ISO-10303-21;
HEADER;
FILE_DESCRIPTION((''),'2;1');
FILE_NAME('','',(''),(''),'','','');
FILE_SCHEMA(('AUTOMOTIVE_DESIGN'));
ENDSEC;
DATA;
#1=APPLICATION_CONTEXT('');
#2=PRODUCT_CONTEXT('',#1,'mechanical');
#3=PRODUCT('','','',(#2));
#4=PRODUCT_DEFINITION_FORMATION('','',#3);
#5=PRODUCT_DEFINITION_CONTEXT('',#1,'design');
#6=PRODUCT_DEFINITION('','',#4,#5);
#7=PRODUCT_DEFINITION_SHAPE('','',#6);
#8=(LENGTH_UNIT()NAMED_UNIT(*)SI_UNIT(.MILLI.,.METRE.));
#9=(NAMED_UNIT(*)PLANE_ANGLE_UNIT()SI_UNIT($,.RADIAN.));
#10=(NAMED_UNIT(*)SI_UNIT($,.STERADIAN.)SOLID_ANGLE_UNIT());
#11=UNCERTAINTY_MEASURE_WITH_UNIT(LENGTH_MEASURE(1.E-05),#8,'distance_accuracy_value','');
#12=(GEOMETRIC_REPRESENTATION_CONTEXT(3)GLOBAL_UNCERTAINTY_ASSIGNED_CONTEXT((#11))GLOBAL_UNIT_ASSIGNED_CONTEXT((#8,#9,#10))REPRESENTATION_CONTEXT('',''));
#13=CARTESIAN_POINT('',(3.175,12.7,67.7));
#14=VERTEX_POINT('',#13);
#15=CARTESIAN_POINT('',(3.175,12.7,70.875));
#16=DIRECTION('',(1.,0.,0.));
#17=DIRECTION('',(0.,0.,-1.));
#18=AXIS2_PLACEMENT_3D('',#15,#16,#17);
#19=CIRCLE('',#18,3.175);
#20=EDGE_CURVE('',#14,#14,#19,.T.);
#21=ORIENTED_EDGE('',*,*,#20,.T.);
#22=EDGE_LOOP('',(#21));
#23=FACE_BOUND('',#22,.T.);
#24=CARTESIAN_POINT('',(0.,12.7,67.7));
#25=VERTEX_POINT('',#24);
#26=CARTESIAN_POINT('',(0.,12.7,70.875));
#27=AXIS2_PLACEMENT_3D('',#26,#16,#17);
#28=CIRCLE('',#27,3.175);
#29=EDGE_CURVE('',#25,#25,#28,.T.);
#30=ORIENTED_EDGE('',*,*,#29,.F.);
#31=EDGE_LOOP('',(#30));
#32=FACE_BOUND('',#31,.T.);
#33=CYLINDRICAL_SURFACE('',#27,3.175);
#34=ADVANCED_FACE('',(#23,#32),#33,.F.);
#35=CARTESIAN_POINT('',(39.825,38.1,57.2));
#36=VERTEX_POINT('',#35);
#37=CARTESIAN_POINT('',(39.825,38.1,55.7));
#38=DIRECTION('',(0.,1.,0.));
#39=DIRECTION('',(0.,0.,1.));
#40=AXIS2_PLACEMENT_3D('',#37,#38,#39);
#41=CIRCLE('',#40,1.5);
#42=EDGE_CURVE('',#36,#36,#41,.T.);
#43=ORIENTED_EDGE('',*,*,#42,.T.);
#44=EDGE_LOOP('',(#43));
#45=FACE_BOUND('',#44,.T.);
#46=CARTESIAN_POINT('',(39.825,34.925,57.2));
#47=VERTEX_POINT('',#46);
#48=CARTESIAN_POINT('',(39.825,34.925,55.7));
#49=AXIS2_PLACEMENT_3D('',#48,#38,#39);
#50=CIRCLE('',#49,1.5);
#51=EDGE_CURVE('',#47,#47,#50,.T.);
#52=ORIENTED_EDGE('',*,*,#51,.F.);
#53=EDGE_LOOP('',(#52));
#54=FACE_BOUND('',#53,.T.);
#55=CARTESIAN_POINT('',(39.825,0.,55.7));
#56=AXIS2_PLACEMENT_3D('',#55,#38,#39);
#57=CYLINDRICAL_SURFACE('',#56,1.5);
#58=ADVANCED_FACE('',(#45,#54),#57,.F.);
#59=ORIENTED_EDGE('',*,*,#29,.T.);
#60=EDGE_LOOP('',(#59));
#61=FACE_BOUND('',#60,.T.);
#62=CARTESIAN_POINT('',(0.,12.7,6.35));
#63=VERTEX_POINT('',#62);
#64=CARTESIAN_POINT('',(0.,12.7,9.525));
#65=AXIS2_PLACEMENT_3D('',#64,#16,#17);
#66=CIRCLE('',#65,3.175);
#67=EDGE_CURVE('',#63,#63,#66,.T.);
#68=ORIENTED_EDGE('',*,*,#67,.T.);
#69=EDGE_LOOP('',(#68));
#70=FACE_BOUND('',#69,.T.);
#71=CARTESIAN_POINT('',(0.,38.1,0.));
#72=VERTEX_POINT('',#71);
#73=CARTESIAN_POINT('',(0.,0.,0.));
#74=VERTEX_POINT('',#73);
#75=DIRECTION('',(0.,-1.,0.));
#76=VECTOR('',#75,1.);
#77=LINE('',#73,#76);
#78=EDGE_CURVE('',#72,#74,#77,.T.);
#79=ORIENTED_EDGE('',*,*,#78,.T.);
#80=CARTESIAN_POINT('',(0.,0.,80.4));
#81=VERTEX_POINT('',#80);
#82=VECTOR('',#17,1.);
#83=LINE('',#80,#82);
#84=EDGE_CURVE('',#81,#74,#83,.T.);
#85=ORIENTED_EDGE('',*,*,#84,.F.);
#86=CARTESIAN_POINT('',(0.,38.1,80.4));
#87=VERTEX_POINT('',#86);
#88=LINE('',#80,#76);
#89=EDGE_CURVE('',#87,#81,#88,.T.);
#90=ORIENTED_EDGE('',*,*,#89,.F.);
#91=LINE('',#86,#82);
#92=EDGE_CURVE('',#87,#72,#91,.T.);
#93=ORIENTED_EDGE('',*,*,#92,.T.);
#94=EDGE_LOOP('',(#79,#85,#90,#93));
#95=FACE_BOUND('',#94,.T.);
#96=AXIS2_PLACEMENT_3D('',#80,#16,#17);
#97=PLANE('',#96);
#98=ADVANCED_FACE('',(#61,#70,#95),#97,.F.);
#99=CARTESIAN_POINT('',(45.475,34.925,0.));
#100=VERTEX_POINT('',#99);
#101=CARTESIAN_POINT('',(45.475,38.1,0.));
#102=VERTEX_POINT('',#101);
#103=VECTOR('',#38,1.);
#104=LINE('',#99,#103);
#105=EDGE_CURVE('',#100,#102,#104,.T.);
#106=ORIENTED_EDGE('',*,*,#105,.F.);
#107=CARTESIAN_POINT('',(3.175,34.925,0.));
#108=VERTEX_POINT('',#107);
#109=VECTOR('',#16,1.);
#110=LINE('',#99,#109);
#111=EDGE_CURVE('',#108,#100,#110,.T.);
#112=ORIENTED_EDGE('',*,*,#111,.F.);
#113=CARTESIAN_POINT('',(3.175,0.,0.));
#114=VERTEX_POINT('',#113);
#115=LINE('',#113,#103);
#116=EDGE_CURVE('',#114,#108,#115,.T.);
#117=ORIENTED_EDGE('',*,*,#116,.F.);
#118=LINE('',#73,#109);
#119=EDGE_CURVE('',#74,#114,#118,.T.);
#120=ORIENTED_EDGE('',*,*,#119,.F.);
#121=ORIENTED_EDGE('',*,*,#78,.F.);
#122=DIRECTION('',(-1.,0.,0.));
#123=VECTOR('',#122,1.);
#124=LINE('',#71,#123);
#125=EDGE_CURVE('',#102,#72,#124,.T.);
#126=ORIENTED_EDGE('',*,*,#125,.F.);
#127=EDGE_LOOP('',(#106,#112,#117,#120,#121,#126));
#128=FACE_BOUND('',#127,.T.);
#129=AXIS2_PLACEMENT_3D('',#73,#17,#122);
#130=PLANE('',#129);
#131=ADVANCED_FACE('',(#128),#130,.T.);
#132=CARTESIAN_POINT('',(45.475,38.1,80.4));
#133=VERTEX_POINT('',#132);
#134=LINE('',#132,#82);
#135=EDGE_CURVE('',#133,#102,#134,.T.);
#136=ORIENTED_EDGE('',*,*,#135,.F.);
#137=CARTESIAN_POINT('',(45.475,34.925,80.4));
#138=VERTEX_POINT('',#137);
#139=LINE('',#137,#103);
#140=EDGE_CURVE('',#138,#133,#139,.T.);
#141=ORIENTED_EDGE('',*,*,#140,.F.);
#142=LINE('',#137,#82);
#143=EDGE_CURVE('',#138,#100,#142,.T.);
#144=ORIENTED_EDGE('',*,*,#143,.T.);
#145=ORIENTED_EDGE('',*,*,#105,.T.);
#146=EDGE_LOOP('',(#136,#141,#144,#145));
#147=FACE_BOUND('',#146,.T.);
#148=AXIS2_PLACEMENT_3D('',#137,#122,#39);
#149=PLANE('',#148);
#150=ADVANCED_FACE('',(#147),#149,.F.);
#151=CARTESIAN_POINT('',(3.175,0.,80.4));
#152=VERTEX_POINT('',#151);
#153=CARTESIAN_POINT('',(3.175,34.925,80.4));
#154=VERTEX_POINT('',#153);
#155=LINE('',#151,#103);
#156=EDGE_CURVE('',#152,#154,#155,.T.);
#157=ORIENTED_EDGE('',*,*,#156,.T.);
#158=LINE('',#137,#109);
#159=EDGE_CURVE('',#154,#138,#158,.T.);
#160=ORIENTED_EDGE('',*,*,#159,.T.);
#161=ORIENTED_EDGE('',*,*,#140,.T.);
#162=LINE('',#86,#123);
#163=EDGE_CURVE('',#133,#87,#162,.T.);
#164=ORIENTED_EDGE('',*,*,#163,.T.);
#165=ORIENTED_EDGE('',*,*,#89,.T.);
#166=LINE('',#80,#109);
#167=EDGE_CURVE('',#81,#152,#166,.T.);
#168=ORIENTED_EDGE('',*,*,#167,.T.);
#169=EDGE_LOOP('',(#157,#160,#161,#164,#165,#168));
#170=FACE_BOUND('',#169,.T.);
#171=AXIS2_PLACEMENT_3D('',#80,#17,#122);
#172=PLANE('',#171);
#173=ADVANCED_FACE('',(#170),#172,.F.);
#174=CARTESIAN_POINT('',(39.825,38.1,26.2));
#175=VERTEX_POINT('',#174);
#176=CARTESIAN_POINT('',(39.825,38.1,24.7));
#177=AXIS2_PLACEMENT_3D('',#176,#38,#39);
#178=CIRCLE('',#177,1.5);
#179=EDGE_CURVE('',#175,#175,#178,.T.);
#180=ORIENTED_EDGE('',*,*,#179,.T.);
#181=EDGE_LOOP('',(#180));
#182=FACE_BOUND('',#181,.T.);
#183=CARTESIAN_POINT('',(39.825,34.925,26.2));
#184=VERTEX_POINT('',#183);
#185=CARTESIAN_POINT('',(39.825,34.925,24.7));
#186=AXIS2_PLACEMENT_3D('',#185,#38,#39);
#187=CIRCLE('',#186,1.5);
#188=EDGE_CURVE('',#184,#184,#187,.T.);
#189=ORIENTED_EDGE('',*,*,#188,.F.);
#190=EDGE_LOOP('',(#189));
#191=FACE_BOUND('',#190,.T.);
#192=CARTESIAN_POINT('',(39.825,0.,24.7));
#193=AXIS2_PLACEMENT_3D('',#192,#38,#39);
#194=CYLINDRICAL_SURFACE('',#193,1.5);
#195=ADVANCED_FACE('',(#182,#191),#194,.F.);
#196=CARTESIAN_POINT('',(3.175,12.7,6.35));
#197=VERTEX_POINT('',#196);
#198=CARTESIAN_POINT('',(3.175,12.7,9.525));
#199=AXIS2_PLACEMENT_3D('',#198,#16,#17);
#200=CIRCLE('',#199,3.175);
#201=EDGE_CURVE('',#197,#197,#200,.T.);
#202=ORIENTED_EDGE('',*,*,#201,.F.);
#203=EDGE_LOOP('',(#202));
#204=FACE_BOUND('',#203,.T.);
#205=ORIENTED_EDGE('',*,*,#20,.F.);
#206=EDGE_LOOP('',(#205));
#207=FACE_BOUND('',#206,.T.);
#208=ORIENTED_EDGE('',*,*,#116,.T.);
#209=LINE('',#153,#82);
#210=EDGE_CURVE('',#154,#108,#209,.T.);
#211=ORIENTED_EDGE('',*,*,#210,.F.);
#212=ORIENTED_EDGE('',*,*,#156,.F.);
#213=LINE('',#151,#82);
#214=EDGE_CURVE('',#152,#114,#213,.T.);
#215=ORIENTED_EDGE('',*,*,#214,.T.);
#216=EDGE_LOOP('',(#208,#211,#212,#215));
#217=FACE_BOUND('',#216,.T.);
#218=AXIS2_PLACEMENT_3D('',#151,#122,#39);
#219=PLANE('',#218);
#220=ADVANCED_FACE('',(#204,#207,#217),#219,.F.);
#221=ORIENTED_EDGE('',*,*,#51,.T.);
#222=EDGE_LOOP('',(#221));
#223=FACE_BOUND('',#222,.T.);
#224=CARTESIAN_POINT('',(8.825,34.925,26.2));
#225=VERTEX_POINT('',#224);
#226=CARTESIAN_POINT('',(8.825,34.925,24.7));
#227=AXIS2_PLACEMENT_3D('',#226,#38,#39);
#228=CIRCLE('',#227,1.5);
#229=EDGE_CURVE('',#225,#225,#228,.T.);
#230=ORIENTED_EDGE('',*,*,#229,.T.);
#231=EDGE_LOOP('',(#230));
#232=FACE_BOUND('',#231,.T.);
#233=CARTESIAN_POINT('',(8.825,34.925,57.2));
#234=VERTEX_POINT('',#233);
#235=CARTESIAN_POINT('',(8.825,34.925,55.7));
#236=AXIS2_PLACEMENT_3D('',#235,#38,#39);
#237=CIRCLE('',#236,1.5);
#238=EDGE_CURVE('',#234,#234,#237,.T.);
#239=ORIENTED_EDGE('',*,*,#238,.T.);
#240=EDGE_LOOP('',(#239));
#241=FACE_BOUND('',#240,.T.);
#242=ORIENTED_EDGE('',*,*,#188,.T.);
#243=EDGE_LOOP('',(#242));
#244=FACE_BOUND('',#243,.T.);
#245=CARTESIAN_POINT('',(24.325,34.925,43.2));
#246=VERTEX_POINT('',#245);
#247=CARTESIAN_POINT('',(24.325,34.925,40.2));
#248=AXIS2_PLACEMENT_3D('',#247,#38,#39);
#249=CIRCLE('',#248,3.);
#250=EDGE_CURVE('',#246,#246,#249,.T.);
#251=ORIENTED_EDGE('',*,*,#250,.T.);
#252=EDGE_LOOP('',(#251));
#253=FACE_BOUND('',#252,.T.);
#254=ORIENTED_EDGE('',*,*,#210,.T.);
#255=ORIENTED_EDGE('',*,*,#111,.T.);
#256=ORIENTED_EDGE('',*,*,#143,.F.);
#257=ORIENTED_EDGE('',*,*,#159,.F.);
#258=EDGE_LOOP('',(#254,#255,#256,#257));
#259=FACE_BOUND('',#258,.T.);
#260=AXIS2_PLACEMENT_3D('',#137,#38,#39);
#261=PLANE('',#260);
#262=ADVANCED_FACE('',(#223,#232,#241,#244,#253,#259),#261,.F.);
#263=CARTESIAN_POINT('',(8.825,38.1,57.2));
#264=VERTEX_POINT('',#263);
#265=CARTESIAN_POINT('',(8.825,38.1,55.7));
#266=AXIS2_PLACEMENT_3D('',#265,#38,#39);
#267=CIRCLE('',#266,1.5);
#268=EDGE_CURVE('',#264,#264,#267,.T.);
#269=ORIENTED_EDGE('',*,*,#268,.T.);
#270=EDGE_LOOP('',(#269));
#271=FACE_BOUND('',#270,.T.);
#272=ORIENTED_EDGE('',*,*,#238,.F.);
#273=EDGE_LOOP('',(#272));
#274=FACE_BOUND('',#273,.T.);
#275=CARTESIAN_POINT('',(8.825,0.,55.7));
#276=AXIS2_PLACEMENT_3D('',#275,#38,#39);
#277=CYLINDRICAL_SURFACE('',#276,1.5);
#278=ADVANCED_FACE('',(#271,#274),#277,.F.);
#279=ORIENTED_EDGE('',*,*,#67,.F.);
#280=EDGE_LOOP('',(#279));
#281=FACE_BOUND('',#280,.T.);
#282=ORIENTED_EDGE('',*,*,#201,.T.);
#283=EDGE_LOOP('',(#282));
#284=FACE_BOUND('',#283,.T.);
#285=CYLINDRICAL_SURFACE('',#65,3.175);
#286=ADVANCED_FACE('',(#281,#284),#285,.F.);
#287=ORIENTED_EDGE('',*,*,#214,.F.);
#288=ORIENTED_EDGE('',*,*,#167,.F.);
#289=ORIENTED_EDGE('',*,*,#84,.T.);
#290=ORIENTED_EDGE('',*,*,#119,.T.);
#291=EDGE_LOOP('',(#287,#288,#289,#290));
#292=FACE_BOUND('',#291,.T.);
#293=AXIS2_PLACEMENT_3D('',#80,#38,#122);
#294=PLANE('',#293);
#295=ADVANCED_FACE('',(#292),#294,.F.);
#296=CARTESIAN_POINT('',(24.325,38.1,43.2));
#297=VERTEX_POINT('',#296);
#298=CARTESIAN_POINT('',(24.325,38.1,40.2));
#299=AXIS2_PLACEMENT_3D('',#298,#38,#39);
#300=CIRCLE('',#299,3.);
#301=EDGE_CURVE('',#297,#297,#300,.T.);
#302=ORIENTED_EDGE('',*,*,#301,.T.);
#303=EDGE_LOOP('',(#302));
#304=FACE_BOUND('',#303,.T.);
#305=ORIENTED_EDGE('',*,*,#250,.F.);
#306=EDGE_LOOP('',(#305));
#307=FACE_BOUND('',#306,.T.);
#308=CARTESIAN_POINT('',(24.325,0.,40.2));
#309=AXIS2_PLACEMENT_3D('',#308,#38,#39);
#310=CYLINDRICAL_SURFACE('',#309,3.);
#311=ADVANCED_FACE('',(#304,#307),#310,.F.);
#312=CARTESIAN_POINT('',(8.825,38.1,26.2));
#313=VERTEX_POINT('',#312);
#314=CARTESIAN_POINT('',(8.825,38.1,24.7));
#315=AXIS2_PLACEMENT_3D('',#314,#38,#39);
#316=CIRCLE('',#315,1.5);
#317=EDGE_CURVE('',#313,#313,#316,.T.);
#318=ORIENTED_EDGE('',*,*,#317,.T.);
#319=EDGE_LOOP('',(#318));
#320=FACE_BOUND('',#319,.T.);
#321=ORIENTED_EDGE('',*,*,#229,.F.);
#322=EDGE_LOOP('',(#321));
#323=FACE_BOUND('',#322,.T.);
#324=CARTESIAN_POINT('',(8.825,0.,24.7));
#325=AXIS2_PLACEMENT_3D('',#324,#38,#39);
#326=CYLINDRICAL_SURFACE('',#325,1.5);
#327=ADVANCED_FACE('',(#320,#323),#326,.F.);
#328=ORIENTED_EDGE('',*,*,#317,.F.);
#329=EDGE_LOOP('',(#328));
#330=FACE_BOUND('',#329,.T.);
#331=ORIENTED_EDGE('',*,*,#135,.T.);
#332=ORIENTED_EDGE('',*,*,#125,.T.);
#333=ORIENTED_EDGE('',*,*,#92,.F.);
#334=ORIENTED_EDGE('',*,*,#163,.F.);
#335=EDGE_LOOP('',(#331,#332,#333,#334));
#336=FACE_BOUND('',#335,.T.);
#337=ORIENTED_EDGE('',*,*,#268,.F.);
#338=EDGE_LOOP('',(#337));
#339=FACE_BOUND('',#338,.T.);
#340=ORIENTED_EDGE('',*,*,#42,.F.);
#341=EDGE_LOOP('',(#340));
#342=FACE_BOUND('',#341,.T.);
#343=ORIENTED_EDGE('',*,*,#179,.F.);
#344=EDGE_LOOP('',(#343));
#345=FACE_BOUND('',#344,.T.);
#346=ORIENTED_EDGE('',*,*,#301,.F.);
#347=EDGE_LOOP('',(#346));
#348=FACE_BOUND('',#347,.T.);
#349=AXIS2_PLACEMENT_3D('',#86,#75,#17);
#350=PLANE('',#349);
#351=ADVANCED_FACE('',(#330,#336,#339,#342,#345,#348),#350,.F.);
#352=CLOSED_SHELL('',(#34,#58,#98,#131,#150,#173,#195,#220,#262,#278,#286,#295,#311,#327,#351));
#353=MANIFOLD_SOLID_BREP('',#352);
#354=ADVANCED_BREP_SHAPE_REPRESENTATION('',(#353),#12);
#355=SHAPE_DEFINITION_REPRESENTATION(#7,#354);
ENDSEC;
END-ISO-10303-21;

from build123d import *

# Parameters (mm, degrees)
BOSS_EXTRUDE1_DEPTH = 80.4
SKETCH2_R           = 3.175
CUT_EXTRUDE1_DEPTH  = 4.175
SKETCH3_R           = 1.5
SKETCH3_R_2         = 3
CUT_EXTRUDE2_DEPTH  = 39.1


with BuildPart() as part:
    # Sketch1 → Boss-Extrude1 (new body)
    with BuildSketch(Plane.XY):
        Polygon((0, 0), (3.175, 0), (3.175, 34.925), (45.475, 34.925), (45.475, 38.1), (0, 38.1), align=None)
    extrude(amount=BOSS_EXTRUDE1_DEPTH)

    # Sketch2 → Cut-Extrude1 (cut, through all)
    with BuildSketch(Plane(origin=(3.175, 0, 0), x_dir=(0, 0, -1), z_dir=(1, 0, 0))):
        with Locations((-70.875, 12.7)):
            Circle(SKETCH2_R)
        with Locations((-9.525, 12.7)):
            Circle(SKETCH2_R)
    extrude(amount=-CUT_EXTRUDE1_DEPTH, mode=Mode.SUBTRACT)

    # Sketch3 → Cut-Extrude2 (cut, through all)
    with BuildSketch(Plane(origin=(0, 38.1, 0), x_dir=(1, 0, 0), z_dir=(0, 1, 0))):
        with Locations((39.825, -55.7)):
            Circle(SKETCH3_R)
        with Locations((8.825, -55.7)):
            Circle(SKETCH3_R)
        with Locations((8.825, -24.7)):
            Circle(SKETCH3_R)
        with Locations((39.825, -24.7)):
            Circle(SKETCH3_R)
        with Locations((24.325, -40.2)):
            Circle(SKETCH3_R_2)
    extrude(amount=-CUT_EXTRUDE2_DEPTH, mode=Mode.SUBTRACT)


solid = part.part
